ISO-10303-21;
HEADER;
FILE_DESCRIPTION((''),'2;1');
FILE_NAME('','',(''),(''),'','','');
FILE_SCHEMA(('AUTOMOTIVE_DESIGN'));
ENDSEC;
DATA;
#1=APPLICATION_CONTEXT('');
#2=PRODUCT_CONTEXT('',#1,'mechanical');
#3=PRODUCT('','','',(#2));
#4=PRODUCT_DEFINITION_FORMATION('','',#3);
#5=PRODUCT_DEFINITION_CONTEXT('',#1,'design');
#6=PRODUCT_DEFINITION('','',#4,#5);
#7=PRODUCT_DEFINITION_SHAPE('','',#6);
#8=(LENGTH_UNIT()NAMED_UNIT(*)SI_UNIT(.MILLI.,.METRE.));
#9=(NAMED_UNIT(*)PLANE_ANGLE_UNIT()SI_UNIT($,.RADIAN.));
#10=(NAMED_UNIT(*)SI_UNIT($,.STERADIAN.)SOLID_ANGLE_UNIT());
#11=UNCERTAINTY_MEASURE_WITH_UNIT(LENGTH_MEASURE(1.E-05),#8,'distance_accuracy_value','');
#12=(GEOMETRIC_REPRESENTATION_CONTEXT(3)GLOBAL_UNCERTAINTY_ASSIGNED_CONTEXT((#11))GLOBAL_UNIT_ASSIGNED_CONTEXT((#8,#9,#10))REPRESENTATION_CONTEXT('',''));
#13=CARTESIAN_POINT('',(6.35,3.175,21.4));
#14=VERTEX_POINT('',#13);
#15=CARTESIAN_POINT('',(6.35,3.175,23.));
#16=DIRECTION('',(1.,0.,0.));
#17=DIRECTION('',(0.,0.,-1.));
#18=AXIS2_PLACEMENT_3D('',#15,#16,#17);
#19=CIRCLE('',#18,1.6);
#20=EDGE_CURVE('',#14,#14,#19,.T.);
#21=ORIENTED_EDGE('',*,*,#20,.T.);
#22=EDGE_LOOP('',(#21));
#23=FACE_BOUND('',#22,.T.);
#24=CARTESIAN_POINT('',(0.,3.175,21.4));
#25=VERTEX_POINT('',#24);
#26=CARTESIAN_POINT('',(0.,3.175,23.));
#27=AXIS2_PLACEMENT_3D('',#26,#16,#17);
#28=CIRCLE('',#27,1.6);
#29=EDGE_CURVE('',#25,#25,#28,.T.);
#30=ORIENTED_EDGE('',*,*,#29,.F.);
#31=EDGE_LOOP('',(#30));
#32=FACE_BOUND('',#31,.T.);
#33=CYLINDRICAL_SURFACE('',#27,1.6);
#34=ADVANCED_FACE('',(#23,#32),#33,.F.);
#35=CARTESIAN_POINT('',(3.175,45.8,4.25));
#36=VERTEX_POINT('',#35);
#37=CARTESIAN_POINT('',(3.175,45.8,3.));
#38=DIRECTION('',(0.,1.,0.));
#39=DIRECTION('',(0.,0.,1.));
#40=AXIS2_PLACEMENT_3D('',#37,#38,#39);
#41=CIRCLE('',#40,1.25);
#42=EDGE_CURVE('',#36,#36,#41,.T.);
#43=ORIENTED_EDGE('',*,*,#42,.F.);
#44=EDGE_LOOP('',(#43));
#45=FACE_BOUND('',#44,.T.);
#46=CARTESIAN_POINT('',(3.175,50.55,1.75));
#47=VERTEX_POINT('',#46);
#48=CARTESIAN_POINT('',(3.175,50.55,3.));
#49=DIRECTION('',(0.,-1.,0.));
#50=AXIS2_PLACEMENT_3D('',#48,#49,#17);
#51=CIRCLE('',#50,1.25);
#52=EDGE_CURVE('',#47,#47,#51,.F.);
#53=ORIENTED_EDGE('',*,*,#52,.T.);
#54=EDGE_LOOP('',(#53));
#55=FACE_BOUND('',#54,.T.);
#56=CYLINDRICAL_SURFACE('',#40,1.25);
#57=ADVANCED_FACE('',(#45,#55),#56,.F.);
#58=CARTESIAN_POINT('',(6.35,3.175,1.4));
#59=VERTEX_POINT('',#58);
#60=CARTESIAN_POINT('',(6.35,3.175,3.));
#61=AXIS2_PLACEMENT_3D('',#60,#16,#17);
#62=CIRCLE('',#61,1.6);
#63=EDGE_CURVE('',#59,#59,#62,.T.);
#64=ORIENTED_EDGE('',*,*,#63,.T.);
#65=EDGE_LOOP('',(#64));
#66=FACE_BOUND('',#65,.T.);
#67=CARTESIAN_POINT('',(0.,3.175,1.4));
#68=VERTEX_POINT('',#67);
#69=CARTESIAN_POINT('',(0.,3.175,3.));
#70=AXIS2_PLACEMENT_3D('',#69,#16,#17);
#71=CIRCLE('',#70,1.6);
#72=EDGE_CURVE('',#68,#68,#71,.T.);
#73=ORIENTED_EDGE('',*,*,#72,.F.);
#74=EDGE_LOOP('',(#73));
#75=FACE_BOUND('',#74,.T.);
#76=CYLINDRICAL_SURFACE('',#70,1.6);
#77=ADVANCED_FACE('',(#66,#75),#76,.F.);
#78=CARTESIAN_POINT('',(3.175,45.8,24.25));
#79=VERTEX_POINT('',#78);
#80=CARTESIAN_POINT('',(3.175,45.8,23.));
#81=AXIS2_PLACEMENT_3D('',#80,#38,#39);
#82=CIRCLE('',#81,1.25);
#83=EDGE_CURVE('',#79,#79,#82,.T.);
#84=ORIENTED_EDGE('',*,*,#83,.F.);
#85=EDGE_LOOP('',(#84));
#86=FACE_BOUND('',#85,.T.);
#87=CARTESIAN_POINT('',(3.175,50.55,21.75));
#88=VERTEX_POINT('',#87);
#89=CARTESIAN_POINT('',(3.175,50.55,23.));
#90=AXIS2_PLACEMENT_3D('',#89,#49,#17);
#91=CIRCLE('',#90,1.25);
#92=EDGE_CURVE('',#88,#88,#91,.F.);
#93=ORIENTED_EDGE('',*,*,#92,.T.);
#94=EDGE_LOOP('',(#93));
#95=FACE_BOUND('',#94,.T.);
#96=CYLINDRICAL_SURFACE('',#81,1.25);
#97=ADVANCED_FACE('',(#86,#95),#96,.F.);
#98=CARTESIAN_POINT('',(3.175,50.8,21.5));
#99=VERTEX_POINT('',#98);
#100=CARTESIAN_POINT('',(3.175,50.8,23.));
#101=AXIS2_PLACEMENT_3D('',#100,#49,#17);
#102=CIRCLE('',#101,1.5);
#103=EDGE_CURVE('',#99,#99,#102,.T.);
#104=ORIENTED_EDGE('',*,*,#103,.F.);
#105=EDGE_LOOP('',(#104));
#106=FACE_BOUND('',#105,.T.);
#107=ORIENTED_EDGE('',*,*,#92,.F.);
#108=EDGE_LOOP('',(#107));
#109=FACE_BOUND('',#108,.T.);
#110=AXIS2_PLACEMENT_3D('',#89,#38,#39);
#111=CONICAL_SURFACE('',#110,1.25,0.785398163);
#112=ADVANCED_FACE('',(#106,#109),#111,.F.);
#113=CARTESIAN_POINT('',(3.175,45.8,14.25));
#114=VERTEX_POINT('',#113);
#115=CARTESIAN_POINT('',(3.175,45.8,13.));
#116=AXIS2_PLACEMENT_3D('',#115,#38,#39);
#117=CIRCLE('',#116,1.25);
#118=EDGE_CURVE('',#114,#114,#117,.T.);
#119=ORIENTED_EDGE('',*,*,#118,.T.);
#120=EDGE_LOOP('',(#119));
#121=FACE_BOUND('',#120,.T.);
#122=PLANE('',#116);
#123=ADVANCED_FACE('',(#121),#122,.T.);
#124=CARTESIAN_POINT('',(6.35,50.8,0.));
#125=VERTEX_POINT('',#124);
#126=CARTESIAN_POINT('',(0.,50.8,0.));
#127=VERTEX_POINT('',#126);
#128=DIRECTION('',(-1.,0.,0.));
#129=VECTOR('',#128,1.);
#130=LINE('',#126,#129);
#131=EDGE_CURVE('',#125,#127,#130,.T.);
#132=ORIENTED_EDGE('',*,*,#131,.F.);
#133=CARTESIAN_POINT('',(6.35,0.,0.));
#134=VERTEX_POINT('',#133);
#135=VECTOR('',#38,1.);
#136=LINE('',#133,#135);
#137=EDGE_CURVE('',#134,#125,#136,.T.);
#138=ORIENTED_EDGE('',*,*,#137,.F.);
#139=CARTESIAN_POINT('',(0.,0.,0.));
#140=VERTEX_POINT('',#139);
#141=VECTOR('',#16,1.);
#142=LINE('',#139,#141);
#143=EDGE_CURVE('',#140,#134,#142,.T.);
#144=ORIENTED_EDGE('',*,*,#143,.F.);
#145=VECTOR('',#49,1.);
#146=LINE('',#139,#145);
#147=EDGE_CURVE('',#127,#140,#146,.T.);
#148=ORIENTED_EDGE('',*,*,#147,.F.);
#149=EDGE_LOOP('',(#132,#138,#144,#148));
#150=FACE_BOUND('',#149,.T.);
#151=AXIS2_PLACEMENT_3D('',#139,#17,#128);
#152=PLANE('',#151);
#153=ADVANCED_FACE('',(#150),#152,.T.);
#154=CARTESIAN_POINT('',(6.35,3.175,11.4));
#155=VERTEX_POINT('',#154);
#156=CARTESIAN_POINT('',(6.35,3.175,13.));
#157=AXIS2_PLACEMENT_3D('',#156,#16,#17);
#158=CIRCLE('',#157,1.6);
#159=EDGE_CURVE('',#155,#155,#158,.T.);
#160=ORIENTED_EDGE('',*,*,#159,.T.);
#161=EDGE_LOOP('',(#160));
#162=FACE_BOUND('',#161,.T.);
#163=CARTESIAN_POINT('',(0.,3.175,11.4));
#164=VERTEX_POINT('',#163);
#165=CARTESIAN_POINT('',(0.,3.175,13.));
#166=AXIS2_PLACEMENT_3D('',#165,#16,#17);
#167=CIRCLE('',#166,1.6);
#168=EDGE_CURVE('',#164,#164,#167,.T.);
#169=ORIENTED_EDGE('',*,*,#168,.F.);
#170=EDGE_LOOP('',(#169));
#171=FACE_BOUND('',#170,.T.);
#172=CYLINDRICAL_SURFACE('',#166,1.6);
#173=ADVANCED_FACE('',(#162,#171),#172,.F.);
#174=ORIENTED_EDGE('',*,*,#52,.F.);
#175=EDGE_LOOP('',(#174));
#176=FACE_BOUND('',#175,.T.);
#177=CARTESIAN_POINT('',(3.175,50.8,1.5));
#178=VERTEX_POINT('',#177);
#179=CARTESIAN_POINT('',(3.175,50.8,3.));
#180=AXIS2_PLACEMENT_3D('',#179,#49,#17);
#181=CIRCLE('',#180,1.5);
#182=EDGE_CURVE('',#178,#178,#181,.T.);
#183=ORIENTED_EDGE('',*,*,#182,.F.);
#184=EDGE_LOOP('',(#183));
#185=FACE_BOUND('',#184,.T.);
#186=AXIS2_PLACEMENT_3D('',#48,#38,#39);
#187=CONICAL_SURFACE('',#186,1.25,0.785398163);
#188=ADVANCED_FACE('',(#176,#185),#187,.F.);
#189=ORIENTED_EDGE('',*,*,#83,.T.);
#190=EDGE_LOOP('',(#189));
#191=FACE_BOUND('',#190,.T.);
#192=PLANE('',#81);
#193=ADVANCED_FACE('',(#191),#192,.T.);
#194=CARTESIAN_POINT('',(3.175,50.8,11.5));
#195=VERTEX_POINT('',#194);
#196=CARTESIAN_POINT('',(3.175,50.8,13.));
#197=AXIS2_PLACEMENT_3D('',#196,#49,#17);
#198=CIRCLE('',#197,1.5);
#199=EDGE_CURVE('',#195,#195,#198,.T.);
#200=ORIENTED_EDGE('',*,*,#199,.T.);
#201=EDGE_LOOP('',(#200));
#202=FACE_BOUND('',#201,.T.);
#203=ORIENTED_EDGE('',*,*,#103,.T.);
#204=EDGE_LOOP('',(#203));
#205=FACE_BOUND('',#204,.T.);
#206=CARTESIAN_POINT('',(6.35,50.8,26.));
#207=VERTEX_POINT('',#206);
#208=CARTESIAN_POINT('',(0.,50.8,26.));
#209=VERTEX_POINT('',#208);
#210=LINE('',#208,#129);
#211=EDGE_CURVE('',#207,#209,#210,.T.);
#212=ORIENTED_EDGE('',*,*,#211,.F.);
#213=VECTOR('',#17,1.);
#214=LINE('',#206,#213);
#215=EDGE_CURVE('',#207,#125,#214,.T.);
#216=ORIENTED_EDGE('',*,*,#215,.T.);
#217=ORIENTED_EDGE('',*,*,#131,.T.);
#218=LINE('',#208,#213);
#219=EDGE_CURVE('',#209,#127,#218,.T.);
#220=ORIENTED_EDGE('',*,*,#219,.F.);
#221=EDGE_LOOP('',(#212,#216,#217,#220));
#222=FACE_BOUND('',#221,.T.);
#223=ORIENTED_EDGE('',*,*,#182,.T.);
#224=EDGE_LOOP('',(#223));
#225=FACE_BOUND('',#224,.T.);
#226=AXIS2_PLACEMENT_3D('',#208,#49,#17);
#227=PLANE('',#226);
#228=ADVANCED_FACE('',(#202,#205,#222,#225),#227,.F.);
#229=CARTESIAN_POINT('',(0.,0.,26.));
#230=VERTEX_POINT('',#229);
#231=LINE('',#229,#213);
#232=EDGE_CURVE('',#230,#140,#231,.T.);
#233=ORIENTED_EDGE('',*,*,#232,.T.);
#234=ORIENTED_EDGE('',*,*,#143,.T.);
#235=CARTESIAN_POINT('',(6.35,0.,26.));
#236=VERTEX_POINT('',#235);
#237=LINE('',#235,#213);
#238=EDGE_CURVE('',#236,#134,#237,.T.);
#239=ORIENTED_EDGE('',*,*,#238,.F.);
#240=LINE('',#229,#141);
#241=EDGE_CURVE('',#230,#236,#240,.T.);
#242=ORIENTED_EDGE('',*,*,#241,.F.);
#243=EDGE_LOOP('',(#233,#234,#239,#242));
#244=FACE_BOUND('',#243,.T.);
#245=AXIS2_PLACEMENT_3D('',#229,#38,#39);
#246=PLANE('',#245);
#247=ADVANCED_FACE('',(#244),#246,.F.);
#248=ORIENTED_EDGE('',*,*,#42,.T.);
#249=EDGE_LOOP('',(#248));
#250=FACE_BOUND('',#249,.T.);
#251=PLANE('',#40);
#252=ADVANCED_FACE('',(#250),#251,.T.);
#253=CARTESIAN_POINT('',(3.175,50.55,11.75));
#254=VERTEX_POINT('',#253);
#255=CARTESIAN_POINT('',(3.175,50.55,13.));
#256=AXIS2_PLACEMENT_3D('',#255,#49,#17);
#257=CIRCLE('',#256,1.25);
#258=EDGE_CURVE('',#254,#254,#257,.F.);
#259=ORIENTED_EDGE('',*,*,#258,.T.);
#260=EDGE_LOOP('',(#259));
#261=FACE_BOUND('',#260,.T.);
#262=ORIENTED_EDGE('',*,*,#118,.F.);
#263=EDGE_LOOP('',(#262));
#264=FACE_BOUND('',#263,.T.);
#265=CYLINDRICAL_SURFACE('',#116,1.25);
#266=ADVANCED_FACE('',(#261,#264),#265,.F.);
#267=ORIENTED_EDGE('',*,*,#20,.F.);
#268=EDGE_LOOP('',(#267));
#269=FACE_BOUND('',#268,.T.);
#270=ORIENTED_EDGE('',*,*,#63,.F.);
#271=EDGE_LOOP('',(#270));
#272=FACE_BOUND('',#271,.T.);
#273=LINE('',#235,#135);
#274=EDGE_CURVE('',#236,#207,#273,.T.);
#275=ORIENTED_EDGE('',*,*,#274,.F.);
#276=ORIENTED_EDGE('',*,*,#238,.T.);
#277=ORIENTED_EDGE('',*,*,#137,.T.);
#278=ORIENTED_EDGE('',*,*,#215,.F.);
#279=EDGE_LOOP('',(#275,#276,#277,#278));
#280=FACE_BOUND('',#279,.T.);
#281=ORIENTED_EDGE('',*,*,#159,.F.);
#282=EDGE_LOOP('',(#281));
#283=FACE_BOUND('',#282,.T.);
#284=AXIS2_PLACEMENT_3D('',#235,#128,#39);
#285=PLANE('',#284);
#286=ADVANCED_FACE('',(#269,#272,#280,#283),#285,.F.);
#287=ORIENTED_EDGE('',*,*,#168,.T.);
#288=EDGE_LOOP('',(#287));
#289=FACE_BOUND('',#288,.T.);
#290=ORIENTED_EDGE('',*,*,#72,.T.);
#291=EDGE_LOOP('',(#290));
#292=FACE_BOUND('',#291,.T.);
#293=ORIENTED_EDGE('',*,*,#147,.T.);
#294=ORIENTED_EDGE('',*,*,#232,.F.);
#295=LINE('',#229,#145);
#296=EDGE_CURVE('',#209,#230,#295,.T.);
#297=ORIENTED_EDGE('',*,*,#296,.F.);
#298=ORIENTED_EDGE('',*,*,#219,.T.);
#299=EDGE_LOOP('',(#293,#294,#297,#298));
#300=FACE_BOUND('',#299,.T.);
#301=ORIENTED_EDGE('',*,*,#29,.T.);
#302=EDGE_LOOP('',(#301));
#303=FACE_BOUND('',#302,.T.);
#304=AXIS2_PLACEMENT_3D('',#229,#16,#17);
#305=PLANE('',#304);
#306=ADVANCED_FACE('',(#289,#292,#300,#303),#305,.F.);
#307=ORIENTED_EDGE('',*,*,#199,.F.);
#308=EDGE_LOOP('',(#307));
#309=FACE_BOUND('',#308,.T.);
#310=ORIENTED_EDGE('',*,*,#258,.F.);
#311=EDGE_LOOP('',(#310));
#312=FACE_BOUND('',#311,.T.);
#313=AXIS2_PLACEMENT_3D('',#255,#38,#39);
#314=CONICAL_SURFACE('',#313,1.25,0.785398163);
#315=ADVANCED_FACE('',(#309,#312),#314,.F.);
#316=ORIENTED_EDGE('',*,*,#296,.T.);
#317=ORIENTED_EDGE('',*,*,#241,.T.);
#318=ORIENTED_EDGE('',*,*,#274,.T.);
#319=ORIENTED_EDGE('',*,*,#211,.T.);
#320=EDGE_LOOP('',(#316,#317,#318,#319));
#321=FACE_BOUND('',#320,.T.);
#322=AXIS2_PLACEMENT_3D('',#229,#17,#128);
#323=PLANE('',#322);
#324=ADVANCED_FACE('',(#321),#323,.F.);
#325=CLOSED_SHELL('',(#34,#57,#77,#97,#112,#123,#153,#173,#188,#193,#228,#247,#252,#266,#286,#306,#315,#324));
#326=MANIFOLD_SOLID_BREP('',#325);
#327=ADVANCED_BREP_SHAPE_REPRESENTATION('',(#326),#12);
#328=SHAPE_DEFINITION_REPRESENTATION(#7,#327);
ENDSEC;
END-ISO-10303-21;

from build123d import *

# Parameters (mm, degrees)
SKETCH1_W           = 6.35
SKETCH1_H           = 50.8
BOSS_EXTRUDE1_DEPTH = 26
SKETCH4_R           = 1.6
CUT_EXTRUDE3_DEPTH  = 6.35
SKETCH14_R          = 1.25
CUT_EXTRUDE13_DEPTH = 5
CHAMFER3_SIZE       = 0.25


with BuildPart() as part:
    # Sketch1 → Boss-Extrude1 (new body)
    with BuildSketch(Plane.XY):
        with Locations((3.175, 25.4)):
            Rectangle(SKETCH1_W, SKETCH1_H)
    extrude(amount=BOSS_EXTRUDE1_DEPTH)

    # Sketch4 → Cut-Extrude3 (cut)
    with BuildSketch(Plane(origin=(6.35, 0, 0), x_dir=(0, 0, -1), z_dir=(1, 0, 0))):
        with Locations((-3, 3.175)):
            Circle(SKETCH4_R)
        with Locations((-23, 3.175)):
            Circle(SKETCH4_R)
        with Locations((-13, 3.175)):
            Circle(SKETCH4_R)
    extrude(amount=-CUT_EXTRUDE3_DEPTH, mode=Mode.SUBTRACT)

    # Sketch14 → Cut-Extrude13 (cut)
    with BuildSketch(Plane(origin=(0, 50.8, 0), x_dir=(1, 0, 0), z_dir=(0, 1, 0))):
        with Locations(Location((3.175, -23, 0), (0, 0, 270))):
            Circle(SKETCH14_R)
        with Locations(Location((3.175, -13, 0), (0, 0, 270))):
            Circle(SKETCH14_R)
        with Locations(Location((3.175, -3, 0), (0, 0, 270))):
            Circle(SKETCH14_R)
    extrude(amount=-CUT_EXTRUDE13_DEPTH, mode=Mode.SUBTRACT)

    # Chamfer3
    chamfer3_edges = [part.edges().sort_by_distance(p)[0] for p in [
        (3.175, 50.8, 21.75),
        (3.175, 50.8, 11.75),
        (3.175, 50.8, 1.75),
    ]]
    chamfer(chamfer3_edges, length=CHAMFER3_SIZE)


solid = part.part
